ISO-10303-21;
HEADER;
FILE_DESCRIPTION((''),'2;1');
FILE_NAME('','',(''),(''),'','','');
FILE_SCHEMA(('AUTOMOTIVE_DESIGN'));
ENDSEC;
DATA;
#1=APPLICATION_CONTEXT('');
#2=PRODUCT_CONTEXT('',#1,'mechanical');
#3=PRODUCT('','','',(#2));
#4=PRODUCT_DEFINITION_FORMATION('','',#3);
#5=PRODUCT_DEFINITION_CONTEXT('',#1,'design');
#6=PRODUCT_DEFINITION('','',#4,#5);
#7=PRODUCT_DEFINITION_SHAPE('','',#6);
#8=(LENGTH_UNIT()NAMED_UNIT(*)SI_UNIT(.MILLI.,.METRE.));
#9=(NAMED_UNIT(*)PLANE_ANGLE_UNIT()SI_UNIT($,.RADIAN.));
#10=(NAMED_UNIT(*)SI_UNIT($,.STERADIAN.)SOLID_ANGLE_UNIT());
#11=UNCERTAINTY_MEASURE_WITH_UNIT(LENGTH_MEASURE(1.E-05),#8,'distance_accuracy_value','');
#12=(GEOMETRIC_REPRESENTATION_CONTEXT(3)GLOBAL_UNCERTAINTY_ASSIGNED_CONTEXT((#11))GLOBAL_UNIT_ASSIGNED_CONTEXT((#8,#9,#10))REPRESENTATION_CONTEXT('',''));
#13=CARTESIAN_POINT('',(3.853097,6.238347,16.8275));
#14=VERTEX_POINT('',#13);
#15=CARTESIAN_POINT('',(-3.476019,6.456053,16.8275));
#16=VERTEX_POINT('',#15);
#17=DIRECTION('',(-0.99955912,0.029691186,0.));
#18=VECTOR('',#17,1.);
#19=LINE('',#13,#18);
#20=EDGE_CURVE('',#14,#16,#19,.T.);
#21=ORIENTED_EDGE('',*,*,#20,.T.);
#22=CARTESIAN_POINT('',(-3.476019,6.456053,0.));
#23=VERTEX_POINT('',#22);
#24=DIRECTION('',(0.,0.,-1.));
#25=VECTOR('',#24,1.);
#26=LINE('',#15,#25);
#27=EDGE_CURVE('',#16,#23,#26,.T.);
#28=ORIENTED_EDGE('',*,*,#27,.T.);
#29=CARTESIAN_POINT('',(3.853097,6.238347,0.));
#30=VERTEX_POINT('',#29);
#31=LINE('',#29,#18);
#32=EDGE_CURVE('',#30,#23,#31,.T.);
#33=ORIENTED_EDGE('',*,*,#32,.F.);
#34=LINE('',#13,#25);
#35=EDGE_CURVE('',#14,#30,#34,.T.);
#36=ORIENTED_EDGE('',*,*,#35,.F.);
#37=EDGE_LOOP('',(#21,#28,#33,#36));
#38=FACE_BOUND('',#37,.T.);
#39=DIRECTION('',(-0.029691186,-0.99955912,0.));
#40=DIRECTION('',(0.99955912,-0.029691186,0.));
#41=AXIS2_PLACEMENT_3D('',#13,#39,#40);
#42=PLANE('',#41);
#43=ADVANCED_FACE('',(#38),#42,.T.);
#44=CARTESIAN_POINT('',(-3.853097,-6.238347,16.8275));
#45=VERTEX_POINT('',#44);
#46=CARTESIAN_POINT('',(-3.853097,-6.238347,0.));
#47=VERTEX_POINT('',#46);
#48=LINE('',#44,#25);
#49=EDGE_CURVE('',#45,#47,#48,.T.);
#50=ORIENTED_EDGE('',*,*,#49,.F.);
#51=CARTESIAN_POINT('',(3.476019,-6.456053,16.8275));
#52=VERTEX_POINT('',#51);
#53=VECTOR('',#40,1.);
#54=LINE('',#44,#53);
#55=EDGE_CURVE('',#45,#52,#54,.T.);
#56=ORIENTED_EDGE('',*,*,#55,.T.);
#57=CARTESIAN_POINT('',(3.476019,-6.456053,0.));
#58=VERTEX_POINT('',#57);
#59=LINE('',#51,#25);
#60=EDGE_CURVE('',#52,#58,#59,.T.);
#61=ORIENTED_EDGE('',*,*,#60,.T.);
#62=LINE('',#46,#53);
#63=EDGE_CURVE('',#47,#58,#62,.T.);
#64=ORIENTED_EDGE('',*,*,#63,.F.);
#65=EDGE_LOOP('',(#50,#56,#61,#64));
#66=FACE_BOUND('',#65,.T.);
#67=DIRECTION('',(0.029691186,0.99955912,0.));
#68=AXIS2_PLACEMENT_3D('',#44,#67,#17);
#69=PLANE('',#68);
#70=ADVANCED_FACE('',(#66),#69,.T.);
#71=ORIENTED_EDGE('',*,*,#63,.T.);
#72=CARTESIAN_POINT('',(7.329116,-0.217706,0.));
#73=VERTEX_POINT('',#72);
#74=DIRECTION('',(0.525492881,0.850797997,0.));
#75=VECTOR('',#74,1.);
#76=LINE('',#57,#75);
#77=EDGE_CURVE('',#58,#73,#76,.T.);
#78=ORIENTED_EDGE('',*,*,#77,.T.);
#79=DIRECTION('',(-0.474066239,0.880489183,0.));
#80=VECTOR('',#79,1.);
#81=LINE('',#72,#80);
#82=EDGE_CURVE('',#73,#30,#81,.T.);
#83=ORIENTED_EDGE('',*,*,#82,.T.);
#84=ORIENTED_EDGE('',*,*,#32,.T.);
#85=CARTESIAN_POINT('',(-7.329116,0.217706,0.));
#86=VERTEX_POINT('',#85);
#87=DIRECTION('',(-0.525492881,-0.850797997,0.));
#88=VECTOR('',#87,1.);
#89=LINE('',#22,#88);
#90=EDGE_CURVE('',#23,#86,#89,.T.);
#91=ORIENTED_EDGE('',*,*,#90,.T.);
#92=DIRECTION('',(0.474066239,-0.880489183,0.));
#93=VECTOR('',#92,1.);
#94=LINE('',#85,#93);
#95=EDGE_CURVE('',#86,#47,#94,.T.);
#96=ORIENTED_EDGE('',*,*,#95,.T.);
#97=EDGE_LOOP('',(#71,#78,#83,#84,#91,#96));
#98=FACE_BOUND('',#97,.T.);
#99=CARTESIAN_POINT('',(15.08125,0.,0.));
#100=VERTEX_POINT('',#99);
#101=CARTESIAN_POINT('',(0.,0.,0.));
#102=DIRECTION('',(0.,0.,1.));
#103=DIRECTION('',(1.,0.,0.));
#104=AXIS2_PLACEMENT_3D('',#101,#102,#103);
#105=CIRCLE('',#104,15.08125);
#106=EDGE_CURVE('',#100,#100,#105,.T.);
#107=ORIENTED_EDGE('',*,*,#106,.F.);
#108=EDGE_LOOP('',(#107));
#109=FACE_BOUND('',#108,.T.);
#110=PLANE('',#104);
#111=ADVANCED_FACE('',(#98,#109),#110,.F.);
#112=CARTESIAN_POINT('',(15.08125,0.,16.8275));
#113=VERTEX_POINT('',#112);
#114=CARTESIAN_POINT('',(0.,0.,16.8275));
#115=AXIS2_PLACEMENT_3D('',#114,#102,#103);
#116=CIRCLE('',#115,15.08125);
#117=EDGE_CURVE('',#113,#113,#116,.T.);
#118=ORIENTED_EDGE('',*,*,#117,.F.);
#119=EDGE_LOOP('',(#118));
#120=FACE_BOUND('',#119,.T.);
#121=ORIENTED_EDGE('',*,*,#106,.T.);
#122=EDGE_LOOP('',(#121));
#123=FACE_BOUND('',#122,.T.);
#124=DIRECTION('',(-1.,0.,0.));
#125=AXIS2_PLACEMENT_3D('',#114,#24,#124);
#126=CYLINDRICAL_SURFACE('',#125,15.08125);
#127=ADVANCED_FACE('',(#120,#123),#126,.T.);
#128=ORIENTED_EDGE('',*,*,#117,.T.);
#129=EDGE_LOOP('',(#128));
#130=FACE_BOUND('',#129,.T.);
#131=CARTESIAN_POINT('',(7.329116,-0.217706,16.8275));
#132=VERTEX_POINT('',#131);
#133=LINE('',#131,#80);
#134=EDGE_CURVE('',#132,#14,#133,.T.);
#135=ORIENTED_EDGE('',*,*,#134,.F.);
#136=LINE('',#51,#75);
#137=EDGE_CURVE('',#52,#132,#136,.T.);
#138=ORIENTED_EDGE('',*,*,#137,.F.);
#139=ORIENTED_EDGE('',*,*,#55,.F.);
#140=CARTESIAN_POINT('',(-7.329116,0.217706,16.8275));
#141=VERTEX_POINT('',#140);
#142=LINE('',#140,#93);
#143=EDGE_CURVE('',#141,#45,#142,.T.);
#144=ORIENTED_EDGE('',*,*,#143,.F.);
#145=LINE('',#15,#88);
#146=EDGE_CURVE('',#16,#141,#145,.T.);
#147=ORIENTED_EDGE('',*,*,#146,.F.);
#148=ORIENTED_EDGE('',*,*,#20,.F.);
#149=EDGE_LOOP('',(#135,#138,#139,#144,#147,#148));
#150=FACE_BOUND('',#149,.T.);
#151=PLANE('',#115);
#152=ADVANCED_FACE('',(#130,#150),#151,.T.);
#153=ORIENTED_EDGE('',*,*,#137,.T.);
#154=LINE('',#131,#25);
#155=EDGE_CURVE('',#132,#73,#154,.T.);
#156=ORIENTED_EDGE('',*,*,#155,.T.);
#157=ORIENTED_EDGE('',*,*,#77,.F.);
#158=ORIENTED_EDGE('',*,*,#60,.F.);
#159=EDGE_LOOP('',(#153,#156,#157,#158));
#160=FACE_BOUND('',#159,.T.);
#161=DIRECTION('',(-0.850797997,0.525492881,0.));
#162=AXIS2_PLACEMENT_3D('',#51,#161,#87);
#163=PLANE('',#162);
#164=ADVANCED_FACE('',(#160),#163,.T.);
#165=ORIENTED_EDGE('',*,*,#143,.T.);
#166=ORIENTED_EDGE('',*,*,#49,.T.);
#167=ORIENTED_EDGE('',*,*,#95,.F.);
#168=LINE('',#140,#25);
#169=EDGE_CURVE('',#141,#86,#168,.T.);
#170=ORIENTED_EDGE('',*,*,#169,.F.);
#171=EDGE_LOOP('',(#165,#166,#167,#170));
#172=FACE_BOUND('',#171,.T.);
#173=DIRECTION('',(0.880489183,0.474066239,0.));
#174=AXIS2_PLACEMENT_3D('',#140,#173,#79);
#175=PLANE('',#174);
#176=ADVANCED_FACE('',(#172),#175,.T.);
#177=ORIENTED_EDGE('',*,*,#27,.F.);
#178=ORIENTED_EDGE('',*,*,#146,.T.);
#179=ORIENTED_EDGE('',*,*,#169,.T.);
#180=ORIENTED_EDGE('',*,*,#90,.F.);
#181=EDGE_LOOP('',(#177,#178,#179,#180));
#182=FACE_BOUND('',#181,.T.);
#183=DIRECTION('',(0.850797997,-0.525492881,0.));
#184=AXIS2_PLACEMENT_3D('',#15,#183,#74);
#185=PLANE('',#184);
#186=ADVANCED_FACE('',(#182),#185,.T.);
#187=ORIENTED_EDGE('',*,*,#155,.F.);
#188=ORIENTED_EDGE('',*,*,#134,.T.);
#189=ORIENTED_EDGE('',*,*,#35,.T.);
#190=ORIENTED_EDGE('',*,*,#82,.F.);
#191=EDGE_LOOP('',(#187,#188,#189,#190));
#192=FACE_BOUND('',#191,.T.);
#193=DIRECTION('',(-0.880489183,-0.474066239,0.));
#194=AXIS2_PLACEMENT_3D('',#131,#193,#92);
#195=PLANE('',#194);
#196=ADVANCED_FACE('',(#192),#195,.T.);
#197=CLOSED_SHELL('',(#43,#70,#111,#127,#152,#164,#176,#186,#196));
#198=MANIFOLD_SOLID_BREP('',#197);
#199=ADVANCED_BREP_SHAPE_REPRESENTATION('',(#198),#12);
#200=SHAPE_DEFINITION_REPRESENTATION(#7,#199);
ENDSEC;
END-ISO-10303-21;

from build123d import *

# Parameters (mm, degrees)
SKETCH1_R           = 15.08125
BOSS_EXTRUDE1_DEPTH = 16.8275


with BuildPart() as part:
    # Sketch1 → Boss-Extrude1 (new body)
    with BuildSketch(Plane.XY):
        Circle(SKETCH1_R)
        Polygon((3.853096893, 6.238347351), (-3.476018837, 6.456053468), (-7.32911573, 0.217706117), (-3.853096893, -6.238347351), (3.476018837, -6.456053468), (7.32911573, -0.217706117), align=None, mode=Mode.SUBTRACT)
    extrude(amount=BOSS_EXTRUDE1_DEPTH)


solid = part.part
